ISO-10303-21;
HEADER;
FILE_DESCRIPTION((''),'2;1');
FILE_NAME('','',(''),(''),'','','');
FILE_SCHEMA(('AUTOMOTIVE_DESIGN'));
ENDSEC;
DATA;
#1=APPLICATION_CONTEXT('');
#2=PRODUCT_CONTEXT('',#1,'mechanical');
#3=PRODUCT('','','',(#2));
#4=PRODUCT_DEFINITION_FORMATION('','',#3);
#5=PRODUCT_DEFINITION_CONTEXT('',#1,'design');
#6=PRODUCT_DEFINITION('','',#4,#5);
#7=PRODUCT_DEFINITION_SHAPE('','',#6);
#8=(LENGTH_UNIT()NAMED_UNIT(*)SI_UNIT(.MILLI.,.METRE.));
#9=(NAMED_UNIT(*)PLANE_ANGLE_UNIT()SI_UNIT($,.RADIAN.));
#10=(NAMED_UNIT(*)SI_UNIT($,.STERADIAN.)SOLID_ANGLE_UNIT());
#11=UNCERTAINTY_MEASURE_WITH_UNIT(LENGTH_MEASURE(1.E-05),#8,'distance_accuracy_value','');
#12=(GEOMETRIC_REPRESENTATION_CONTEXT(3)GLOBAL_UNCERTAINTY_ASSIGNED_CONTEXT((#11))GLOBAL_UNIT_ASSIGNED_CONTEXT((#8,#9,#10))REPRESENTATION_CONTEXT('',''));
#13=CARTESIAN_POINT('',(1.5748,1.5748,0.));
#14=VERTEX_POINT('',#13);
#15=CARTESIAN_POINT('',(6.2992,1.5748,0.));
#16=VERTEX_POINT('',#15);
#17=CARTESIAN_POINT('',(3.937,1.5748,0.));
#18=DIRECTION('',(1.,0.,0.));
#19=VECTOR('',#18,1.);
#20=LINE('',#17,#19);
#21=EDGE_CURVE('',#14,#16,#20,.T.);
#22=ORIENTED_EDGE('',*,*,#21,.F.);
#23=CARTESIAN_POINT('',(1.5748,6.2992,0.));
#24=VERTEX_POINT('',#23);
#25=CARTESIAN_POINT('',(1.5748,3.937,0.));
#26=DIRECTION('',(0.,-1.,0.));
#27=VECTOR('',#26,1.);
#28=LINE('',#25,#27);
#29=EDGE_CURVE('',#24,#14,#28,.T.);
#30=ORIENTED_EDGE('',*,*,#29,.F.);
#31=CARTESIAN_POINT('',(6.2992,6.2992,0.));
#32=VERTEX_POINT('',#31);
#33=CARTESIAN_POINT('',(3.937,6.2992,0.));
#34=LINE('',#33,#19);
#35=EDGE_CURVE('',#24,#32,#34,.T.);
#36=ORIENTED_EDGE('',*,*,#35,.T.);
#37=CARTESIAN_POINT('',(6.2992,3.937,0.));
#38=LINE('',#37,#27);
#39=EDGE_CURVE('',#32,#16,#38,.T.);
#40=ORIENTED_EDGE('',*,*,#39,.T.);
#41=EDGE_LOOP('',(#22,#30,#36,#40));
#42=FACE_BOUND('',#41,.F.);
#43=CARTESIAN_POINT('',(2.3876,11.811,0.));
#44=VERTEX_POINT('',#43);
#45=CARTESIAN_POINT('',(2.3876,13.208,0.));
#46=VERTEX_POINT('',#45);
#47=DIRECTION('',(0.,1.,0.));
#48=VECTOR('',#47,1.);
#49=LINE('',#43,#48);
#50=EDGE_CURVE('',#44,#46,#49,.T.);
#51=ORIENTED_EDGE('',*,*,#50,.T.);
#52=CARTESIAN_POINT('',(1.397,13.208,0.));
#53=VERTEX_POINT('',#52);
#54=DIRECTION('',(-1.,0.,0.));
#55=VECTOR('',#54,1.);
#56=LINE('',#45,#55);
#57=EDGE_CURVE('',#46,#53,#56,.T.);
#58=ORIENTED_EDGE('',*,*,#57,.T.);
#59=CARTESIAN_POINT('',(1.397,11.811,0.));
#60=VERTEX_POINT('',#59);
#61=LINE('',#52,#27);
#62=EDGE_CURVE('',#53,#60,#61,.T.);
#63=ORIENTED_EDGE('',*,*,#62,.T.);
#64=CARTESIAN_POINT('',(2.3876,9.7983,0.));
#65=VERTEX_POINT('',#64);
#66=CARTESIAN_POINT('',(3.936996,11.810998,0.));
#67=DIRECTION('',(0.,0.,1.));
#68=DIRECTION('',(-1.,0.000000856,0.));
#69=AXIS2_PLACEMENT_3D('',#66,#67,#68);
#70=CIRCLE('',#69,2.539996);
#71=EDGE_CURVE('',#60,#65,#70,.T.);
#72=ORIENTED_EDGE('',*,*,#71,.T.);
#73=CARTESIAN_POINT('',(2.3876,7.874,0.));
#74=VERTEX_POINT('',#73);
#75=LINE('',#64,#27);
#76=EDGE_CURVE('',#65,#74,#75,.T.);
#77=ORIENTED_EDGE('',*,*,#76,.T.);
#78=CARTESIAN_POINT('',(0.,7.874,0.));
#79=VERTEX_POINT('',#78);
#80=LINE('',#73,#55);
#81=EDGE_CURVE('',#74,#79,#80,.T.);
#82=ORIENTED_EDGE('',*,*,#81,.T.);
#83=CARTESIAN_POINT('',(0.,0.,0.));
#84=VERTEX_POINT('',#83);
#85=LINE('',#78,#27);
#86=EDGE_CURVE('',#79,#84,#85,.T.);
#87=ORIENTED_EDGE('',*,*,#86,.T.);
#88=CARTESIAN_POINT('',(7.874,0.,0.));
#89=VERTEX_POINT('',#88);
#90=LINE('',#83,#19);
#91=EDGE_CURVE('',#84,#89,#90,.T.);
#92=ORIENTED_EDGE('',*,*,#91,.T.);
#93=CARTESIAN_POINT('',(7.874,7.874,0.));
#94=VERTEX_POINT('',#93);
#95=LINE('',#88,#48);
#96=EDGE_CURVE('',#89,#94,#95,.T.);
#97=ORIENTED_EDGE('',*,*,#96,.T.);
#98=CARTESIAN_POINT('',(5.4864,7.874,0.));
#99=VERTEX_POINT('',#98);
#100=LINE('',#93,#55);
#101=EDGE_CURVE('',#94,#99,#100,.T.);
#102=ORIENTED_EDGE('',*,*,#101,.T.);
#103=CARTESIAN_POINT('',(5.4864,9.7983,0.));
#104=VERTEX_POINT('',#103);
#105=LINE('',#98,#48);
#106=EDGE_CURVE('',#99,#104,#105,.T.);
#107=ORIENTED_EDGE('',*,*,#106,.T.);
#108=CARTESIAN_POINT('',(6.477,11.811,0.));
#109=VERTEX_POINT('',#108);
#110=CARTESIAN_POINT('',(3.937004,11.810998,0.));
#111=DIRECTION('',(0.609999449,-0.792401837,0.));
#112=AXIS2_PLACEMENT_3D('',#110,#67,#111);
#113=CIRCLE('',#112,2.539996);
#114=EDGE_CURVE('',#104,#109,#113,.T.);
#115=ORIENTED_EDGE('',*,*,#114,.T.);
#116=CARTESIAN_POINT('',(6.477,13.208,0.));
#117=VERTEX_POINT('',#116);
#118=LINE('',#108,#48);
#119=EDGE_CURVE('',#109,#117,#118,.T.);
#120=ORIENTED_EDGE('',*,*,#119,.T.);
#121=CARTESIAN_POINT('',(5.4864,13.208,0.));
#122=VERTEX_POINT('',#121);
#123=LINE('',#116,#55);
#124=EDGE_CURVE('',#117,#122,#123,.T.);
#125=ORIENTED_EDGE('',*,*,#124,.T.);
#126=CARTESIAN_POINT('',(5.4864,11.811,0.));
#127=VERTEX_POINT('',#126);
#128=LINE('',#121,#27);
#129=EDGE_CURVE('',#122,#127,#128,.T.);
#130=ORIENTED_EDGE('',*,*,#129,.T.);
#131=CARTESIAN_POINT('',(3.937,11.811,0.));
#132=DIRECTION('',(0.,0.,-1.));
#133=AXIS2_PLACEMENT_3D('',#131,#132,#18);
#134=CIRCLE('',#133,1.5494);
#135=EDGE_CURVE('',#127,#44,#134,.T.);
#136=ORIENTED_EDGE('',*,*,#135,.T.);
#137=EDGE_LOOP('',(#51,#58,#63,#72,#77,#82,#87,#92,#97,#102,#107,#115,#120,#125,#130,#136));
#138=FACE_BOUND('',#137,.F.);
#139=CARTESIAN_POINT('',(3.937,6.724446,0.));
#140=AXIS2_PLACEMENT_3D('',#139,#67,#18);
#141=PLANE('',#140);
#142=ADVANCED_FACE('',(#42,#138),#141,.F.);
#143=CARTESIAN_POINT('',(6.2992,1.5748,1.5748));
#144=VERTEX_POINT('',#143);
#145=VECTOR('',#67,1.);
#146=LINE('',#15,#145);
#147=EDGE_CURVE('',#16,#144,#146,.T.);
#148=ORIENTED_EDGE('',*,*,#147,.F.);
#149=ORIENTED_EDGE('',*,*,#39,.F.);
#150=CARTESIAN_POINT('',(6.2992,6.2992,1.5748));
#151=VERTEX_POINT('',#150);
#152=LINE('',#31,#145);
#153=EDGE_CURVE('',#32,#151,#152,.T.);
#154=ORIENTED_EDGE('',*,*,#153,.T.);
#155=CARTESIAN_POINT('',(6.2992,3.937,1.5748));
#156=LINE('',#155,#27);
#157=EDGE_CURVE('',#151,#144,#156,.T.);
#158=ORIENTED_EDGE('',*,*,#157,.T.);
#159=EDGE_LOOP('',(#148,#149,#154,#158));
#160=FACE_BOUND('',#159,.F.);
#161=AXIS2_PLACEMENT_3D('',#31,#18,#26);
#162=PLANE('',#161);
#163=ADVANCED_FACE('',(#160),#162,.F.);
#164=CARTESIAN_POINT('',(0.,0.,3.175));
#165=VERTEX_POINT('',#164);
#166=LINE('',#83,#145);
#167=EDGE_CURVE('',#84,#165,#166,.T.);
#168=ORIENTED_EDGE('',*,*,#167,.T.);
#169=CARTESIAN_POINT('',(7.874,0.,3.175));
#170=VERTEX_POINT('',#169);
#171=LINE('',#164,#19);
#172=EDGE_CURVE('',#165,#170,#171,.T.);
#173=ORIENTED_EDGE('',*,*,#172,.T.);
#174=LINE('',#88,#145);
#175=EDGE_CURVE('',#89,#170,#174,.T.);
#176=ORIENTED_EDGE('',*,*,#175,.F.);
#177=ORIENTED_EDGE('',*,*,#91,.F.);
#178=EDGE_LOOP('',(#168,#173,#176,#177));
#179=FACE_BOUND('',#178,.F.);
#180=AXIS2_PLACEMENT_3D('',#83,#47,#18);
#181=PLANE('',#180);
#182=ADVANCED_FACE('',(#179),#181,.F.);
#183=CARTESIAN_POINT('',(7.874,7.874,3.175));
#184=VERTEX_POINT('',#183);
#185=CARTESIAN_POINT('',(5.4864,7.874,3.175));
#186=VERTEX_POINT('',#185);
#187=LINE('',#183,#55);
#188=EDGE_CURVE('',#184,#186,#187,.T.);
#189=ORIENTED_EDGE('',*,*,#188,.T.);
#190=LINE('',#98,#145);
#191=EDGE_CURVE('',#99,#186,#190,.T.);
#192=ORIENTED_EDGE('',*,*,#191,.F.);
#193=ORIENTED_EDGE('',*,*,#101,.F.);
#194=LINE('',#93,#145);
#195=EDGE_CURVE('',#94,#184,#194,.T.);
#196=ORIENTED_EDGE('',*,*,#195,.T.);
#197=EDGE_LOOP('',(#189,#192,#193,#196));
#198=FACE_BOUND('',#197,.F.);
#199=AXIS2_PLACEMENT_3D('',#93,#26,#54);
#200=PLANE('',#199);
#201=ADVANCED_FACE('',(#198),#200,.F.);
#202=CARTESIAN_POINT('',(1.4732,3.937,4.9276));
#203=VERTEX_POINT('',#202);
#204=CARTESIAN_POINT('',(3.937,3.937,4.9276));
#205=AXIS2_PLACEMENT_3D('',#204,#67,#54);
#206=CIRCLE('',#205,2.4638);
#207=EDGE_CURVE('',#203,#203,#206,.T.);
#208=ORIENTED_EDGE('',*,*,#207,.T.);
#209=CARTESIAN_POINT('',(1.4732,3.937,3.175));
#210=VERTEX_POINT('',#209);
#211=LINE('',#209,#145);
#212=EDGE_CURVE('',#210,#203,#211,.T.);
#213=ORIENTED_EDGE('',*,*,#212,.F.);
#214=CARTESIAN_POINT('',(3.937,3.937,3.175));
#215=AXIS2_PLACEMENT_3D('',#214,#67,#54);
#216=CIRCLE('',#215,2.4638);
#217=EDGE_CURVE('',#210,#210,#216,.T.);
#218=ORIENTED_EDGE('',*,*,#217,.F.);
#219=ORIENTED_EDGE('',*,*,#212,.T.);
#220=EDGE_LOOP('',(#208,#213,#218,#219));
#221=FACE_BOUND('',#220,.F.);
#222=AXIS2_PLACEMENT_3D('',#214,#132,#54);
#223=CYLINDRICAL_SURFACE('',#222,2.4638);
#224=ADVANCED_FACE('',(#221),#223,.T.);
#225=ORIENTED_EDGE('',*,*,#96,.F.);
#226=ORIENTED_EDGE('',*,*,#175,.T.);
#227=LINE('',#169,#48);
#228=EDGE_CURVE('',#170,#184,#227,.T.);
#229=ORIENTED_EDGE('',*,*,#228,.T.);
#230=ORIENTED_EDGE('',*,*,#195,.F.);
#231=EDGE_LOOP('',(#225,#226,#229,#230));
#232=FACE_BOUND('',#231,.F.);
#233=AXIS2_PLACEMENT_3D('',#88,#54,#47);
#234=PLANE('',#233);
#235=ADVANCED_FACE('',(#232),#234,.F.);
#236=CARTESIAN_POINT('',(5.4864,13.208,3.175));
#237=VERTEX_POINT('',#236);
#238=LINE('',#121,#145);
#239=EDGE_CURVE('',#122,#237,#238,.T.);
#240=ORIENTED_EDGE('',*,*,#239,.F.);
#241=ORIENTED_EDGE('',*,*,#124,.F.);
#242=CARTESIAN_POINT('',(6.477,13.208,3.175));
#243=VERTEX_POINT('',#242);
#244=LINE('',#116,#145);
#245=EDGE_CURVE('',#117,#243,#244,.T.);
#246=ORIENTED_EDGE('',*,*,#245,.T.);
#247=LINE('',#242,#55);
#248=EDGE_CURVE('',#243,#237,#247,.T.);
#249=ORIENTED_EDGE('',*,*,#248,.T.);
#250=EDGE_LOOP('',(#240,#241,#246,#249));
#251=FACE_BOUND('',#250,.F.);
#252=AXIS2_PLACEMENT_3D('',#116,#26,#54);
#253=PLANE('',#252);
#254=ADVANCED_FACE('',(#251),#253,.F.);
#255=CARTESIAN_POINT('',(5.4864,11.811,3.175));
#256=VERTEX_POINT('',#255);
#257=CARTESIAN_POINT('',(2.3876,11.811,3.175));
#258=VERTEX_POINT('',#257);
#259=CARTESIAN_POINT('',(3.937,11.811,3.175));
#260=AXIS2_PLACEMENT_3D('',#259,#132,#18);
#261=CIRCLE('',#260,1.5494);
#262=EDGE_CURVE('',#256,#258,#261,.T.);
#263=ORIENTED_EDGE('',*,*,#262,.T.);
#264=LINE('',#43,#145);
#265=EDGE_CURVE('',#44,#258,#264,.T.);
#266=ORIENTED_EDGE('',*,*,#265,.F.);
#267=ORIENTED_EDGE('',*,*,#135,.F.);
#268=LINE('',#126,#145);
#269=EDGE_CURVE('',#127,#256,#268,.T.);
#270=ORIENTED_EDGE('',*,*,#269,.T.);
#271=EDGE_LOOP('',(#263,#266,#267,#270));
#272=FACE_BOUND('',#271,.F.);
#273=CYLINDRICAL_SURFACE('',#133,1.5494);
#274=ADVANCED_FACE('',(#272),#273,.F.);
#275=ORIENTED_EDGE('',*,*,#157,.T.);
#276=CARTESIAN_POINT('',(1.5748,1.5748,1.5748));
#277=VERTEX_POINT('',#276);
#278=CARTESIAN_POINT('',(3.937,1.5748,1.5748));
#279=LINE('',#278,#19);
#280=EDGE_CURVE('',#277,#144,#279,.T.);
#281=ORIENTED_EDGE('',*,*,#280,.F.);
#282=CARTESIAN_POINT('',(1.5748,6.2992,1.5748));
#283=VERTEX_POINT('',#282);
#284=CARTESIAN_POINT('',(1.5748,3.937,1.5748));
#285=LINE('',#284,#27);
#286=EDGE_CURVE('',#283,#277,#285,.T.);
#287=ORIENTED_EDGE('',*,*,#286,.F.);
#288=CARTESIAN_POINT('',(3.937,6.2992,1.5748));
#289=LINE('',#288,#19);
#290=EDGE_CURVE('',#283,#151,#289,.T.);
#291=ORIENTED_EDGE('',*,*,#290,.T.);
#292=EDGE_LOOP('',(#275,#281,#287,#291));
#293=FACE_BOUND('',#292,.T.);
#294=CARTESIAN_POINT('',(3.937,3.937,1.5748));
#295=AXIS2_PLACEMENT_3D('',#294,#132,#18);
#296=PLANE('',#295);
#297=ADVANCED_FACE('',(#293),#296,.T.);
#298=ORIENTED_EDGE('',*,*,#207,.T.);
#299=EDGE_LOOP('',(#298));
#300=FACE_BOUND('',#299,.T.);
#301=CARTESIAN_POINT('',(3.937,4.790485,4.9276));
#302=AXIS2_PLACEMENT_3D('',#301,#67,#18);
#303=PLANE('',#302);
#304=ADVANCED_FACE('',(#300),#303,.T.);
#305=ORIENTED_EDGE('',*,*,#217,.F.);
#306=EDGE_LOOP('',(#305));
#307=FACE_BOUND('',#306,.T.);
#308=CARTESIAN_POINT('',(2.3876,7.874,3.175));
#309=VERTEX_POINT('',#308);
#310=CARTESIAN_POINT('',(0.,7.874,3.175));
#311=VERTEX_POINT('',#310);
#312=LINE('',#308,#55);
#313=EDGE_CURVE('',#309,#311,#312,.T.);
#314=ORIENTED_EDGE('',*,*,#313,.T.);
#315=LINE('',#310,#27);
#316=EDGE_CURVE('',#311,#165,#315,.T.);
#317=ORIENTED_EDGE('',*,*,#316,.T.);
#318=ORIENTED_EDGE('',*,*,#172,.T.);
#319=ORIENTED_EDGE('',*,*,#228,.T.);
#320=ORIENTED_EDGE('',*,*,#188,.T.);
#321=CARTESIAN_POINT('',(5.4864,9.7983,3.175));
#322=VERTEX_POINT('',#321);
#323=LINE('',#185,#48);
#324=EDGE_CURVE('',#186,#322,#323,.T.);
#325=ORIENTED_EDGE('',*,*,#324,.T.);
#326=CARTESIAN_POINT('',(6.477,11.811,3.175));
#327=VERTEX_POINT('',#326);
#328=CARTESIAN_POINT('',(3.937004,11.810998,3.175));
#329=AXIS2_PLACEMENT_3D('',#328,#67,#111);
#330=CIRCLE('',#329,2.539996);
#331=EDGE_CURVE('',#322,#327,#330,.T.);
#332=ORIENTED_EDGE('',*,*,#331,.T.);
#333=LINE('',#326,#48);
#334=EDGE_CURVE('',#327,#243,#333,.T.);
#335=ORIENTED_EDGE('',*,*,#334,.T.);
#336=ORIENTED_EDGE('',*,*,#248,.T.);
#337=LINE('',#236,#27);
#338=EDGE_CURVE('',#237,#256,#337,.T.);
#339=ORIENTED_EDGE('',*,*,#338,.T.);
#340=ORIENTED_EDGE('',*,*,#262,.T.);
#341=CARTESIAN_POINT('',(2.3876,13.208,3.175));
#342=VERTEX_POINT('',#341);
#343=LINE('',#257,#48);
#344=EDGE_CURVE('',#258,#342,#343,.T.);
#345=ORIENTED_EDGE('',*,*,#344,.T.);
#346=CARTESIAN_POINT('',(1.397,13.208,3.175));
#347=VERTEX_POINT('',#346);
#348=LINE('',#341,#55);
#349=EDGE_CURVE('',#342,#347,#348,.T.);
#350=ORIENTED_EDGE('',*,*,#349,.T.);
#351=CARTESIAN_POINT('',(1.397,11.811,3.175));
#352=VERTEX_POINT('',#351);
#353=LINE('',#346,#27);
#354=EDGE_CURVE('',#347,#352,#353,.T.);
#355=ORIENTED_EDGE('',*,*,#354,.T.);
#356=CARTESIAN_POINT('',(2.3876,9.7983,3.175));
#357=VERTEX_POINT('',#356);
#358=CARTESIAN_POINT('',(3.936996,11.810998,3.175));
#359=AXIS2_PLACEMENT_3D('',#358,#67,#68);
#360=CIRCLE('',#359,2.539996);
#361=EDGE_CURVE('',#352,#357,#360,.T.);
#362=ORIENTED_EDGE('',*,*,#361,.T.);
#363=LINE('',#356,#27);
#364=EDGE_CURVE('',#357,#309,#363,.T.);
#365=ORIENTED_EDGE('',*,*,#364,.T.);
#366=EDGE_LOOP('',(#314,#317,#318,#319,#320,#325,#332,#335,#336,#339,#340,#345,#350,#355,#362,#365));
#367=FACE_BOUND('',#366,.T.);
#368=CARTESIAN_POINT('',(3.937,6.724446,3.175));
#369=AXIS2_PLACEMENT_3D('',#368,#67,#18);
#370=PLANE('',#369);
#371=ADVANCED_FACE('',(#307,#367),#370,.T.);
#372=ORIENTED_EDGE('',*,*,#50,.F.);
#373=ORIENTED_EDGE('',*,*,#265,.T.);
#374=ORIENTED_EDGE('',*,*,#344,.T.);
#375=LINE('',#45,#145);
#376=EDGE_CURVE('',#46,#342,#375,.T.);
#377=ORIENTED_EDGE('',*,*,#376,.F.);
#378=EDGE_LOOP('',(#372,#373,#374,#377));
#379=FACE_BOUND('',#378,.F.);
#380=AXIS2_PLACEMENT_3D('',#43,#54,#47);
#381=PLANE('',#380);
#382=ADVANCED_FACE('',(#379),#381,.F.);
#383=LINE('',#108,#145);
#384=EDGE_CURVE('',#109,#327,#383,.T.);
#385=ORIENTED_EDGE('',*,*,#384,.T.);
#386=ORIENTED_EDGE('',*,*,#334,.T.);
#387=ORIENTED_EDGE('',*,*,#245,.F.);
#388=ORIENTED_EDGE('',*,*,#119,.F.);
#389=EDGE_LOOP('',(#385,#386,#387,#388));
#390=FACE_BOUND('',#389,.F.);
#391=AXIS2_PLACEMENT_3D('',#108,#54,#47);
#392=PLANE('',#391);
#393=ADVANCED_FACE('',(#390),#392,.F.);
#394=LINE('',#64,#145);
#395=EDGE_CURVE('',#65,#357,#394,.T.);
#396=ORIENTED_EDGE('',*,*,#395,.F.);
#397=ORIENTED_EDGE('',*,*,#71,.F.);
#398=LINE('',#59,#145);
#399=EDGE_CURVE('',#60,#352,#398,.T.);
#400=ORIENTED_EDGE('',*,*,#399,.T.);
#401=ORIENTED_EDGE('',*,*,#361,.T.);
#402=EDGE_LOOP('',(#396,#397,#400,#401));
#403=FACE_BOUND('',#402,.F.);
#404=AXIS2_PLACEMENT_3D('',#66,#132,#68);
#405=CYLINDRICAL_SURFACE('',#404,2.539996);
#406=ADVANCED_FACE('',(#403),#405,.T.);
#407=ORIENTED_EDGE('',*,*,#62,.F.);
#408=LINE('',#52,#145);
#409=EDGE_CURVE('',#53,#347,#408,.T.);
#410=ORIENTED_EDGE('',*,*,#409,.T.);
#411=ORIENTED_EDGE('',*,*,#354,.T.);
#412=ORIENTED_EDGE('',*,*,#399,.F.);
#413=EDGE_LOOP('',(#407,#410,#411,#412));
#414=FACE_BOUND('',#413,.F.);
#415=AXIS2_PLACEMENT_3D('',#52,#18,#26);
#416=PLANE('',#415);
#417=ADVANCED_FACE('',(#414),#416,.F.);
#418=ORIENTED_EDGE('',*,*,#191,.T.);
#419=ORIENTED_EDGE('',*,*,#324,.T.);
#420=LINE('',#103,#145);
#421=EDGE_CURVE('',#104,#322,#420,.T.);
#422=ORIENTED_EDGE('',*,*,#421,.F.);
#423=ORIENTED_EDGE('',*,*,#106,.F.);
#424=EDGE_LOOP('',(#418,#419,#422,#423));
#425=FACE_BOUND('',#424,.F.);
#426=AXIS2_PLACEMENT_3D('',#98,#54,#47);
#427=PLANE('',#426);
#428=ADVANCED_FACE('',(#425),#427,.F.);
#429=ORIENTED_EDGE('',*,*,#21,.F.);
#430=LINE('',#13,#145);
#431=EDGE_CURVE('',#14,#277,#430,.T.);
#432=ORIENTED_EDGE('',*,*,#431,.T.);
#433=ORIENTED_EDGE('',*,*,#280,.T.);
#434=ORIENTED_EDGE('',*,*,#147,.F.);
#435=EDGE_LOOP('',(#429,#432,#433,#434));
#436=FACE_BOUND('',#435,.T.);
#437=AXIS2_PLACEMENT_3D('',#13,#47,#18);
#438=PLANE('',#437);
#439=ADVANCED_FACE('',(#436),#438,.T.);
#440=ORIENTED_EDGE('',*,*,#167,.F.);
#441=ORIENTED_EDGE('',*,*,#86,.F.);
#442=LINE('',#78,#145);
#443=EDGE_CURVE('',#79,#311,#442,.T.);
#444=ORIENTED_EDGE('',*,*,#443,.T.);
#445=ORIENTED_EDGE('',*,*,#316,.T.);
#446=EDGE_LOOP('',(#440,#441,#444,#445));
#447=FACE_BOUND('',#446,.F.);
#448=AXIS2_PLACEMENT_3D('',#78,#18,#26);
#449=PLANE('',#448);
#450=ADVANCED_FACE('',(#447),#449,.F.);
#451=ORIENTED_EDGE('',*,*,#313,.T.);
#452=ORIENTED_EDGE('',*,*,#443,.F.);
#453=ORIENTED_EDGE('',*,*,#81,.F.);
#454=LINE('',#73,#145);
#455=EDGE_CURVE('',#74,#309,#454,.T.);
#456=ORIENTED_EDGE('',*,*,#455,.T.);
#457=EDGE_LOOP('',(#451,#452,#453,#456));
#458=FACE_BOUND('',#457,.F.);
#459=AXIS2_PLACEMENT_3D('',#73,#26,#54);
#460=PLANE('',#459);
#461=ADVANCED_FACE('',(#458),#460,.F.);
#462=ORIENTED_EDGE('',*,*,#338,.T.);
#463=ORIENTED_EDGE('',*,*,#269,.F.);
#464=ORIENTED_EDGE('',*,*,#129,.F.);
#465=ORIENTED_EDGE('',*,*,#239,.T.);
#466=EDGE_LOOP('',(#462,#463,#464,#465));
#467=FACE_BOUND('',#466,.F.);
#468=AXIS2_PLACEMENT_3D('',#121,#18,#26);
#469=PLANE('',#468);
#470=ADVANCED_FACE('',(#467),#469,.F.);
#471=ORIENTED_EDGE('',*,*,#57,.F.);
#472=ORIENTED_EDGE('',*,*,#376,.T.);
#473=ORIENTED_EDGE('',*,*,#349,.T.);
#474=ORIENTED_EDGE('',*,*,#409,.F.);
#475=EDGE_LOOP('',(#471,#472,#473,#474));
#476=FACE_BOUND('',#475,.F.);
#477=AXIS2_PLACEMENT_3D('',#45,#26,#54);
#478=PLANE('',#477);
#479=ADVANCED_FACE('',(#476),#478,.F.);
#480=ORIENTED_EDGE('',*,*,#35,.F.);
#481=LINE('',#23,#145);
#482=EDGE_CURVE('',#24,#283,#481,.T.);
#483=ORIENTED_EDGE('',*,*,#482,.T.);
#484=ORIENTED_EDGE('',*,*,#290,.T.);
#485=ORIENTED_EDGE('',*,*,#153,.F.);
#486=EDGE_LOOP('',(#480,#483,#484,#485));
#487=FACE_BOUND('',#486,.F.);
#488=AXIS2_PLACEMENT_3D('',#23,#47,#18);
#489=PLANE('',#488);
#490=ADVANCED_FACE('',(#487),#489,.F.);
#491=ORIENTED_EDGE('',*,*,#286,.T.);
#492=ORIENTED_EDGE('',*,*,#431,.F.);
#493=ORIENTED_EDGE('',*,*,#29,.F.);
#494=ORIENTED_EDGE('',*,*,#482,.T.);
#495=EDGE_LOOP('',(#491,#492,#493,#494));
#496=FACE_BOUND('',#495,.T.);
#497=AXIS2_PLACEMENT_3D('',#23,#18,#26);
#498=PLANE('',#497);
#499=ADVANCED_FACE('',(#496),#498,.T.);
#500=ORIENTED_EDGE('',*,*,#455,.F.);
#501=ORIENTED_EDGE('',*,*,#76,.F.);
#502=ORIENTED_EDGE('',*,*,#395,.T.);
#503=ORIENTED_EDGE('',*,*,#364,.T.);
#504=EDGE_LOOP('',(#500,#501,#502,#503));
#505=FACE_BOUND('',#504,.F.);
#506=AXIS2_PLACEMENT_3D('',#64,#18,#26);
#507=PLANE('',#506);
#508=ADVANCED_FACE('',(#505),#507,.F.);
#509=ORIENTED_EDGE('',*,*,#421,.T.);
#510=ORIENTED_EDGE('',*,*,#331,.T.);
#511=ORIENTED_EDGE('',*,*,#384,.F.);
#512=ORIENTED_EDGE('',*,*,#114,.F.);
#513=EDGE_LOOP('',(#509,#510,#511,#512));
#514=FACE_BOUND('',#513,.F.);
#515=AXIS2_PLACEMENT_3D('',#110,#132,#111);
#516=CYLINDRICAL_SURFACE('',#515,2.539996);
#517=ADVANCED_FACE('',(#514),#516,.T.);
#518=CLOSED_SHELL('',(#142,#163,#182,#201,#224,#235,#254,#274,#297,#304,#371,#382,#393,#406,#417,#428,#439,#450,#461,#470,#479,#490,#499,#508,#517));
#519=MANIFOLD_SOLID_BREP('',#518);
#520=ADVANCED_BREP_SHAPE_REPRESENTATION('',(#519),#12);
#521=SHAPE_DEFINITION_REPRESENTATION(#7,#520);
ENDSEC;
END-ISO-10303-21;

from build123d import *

# Parameters (mm, degrees)
F1_DEPTH = 3.175
F3_DEPTH = 1.7526
F4_W     = 4.7244
F4_H     = 4.7244
F5_DEPTH = 1.5748


with BuildPart() as f1:
    # F0 (on Top) → F1 (new body)
    with BuildSketch(Plane.XY):
        with BuildLine():
            Line((0, 7.874), (0, 0))
            Line((0, 0), (7.874, 0))
            Line((7.874, 0), (7.874, 7.874))
            Line((7.874, 7.874), (5.4864, 7.874))
            Line((5.4864, 7.874), (5.4864, 9.7983))
            ThreePointArc((5.4864, 9.7983), (6.215934, 10.689366), (6.477, 11.811))
            Line((6.477, 11.811), (6.477, 13.208))
            Line((6.477, 13.208), (5.4864, 13.208))
            Line((5.4864, 13.208), (5.4864, 11.811))
            ThreePointArc((5.4864, 11.811), (3.937, 10.2616), (2.3876, 11.811))
            Line((2.3876, 11.811), (2.3876, 13.208))
            Line((2.3876, 13.208), (1.397, 13.208))
            Line((1.397, 13.208), (1.397, 11.811))
            ThreePointArc((1.397, 11.811), (1.658066, 10.689366), (2.3876, 9.7983))
            Line((2.3876, 9.7983), (2.3876, 7.874))
            Line((2.3876, 7.874), (0, 7.874))
        make_face()
    extrude(amount=F1_DEPTH)

    # F2 (on face) → F3 (join)
    with BuildSketch(Plane.XY.offset(3.175)):
        with BuildLine():
            ThreePointArc((6.4008, 3.937), (3.937, 6.4008), (1.4732, 3.937))
            Line((1.4732, 3.937), (6.4008, 3.937))
        make_face()
        with BuildLine():
            Line((6.4008, 3.937), (1.4732, 3.937))
            ThreePointArc((1.4732, 3.937), (3.937, 1.4732), (6.4008, 3.937))
        make_face()
    extrude(amount=F3_DEPTH)

    # F4 (on face) → F5 (cut)
    with BuildSketch(Plane(origin=(0, 0, 0), x_dir=(1, 0, 0), z_dir=(0, 0, -1))):
        with Locations((3.937, -3.937)):
            Rectangle(F4_W, F4_H)
    extrude(amount=-F5_DEPTH, mode=Mode.SUBTRACT)


solid = f1.part
